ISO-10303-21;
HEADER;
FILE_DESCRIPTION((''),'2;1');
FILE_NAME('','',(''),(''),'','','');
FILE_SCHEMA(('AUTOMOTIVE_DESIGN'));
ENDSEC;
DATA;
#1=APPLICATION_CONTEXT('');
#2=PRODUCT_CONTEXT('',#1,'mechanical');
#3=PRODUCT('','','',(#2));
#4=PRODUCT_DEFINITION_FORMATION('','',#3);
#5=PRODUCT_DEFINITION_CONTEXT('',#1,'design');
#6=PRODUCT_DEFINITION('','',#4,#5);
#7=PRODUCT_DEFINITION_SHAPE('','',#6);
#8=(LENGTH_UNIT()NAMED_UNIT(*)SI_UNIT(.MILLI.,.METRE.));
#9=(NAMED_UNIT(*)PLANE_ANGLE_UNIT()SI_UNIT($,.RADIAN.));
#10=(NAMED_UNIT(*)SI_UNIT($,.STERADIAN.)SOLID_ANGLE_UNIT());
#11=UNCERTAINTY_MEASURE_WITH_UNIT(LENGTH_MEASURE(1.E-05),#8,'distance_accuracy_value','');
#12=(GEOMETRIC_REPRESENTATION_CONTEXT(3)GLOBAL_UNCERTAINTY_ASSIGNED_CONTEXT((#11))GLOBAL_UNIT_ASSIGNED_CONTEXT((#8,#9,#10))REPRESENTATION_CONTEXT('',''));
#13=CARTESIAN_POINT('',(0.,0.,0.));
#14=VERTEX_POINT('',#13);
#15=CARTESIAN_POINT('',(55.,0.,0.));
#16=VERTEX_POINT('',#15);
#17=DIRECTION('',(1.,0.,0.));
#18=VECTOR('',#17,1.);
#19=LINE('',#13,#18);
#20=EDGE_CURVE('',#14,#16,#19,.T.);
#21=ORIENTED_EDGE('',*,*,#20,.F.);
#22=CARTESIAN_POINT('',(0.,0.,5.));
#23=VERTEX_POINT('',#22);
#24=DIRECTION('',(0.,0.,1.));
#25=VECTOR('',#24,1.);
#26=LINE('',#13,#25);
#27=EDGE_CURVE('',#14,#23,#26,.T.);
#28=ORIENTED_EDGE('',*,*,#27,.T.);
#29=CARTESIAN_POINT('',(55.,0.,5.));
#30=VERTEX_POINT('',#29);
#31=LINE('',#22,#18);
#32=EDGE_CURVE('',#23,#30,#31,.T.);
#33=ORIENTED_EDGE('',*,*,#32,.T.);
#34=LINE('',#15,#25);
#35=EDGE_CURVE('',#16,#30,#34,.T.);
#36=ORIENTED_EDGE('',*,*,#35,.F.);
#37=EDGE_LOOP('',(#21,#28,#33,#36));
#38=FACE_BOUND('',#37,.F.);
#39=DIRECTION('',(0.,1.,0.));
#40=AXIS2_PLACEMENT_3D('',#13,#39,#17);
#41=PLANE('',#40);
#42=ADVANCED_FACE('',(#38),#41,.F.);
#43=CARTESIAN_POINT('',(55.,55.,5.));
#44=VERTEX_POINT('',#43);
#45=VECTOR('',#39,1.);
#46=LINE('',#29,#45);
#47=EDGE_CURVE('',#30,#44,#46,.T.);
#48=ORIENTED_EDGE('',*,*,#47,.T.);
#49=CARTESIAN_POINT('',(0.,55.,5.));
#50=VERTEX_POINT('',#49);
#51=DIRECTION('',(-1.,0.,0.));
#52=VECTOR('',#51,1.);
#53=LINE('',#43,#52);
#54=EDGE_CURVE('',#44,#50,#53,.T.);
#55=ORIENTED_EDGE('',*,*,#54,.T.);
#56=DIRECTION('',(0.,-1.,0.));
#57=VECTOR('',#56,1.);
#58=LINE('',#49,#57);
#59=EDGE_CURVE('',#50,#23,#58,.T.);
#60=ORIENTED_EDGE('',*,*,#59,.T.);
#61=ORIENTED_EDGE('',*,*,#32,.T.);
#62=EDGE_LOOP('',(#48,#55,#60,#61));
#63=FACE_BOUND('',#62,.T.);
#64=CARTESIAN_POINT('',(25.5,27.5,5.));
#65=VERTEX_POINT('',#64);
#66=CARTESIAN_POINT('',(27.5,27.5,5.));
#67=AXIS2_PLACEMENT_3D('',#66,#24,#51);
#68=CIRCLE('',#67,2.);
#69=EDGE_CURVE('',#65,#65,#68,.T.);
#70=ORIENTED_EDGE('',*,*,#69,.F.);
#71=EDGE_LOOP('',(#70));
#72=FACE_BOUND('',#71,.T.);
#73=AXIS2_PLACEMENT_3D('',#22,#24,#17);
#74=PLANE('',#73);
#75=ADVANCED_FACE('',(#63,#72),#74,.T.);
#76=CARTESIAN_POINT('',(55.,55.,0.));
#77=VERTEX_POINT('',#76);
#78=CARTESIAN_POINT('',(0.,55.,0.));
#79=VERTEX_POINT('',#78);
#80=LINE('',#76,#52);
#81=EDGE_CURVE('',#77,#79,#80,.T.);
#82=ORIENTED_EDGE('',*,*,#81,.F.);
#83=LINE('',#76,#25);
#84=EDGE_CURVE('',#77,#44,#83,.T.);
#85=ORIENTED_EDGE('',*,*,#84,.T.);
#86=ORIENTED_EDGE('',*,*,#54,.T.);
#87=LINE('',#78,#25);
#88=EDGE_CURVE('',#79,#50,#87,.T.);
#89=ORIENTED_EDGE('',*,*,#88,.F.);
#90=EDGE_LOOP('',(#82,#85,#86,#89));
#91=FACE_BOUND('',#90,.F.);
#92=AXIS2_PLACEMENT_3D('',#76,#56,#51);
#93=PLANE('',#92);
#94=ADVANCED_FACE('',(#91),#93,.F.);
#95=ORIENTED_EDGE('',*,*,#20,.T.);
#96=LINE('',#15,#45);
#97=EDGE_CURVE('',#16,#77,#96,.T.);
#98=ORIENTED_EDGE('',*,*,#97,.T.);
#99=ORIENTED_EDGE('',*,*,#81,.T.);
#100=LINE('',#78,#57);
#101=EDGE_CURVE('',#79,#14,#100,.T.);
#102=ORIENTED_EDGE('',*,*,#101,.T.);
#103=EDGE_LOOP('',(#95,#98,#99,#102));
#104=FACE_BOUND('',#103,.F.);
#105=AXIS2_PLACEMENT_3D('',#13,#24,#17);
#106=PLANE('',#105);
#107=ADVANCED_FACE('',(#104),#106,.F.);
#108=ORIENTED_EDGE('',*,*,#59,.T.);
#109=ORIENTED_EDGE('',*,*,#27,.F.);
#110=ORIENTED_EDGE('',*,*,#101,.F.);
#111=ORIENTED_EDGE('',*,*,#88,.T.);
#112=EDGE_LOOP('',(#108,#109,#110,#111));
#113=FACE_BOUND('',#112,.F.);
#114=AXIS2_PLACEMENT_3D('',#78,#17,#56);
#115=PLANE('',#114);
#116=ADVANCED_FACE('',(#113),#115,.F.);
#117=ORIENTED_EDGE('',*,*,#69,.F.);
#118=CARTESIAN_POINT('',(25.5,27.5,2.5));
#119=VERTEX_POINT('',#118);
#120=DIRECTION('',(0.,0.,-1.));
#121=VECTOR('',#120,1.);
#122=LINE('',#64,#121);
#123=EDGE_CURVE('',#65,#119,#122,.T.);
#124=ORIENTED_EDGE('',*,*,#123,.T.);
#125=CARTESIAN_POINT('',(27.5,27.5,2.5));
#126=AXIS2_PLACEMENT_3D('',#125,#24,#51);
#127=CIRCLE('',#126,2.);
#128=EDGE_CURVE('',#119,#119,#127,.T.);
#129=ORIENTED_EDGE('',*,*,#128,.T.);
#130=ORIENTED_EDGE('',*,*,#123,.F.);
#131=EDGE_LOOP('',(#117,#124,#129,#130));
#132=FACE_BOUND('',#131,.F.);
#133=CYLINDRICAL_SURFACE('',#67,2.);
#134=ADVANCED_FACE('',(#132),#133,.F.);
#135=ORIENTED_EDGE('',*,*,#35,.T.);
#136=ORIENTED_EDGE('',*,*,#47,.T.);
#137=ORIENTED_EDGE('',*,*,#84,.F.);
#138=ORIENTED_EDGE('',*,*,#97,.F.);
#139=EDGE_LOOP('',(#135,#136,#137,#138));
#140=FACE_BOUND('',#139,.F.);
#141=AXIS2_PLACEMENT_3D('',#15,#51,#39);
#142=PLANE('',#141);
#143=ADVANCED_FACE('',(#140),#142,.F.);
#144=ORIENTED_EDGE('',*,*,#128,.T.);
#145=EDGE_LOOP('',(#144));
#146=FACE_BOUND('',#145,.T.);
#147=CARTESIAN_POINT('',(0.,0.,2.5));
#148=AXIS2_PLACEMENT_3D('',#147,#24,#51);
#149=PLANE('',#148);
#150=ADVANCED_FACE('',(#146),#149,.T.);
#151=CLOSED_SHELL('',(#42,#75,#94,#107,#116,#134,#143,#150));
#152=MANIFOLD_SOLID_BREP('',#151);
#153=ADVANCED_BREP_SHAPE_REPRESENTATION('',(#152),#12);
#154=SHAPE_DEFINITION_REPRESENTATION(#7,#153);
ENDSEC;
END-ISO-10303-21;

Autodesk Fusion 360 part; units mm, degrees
sketch "Sketch1" plane through (0, 0, 0) normal (0, 0, 1) x (1, 0, 0)
  line L0 (0, 0) -> (55, 0)
  line L1 (55, 0) -> (55, 55)
  line L2 (55, 55) -> (0, 55)
  line L3 (0, 55) -> (0, 0)
  dimension "d1" = 55
  dimension "d2" = 55
extrude "Extrude1" add sketch "Sketch1" along normal blind 5
sketch "Sketch2" plane through (0, 0, 5) normal (0, 0, 1) x (-1, 0, 0)
  line L0 (0, -55) -> (0, 0)
  line L1 (0, 0) -> (-55, 0)
  line L2 (-55, 0) -> (-55, -55)
  line L3 (-55, -55) -> (0, -55)
  circle A0 centre (-27.5, -27.5) radius 2
  dimension "d5" = 4
extrude "Extrude2" cut sketch "Sketch2" against normal blind 2.5 contours A0
